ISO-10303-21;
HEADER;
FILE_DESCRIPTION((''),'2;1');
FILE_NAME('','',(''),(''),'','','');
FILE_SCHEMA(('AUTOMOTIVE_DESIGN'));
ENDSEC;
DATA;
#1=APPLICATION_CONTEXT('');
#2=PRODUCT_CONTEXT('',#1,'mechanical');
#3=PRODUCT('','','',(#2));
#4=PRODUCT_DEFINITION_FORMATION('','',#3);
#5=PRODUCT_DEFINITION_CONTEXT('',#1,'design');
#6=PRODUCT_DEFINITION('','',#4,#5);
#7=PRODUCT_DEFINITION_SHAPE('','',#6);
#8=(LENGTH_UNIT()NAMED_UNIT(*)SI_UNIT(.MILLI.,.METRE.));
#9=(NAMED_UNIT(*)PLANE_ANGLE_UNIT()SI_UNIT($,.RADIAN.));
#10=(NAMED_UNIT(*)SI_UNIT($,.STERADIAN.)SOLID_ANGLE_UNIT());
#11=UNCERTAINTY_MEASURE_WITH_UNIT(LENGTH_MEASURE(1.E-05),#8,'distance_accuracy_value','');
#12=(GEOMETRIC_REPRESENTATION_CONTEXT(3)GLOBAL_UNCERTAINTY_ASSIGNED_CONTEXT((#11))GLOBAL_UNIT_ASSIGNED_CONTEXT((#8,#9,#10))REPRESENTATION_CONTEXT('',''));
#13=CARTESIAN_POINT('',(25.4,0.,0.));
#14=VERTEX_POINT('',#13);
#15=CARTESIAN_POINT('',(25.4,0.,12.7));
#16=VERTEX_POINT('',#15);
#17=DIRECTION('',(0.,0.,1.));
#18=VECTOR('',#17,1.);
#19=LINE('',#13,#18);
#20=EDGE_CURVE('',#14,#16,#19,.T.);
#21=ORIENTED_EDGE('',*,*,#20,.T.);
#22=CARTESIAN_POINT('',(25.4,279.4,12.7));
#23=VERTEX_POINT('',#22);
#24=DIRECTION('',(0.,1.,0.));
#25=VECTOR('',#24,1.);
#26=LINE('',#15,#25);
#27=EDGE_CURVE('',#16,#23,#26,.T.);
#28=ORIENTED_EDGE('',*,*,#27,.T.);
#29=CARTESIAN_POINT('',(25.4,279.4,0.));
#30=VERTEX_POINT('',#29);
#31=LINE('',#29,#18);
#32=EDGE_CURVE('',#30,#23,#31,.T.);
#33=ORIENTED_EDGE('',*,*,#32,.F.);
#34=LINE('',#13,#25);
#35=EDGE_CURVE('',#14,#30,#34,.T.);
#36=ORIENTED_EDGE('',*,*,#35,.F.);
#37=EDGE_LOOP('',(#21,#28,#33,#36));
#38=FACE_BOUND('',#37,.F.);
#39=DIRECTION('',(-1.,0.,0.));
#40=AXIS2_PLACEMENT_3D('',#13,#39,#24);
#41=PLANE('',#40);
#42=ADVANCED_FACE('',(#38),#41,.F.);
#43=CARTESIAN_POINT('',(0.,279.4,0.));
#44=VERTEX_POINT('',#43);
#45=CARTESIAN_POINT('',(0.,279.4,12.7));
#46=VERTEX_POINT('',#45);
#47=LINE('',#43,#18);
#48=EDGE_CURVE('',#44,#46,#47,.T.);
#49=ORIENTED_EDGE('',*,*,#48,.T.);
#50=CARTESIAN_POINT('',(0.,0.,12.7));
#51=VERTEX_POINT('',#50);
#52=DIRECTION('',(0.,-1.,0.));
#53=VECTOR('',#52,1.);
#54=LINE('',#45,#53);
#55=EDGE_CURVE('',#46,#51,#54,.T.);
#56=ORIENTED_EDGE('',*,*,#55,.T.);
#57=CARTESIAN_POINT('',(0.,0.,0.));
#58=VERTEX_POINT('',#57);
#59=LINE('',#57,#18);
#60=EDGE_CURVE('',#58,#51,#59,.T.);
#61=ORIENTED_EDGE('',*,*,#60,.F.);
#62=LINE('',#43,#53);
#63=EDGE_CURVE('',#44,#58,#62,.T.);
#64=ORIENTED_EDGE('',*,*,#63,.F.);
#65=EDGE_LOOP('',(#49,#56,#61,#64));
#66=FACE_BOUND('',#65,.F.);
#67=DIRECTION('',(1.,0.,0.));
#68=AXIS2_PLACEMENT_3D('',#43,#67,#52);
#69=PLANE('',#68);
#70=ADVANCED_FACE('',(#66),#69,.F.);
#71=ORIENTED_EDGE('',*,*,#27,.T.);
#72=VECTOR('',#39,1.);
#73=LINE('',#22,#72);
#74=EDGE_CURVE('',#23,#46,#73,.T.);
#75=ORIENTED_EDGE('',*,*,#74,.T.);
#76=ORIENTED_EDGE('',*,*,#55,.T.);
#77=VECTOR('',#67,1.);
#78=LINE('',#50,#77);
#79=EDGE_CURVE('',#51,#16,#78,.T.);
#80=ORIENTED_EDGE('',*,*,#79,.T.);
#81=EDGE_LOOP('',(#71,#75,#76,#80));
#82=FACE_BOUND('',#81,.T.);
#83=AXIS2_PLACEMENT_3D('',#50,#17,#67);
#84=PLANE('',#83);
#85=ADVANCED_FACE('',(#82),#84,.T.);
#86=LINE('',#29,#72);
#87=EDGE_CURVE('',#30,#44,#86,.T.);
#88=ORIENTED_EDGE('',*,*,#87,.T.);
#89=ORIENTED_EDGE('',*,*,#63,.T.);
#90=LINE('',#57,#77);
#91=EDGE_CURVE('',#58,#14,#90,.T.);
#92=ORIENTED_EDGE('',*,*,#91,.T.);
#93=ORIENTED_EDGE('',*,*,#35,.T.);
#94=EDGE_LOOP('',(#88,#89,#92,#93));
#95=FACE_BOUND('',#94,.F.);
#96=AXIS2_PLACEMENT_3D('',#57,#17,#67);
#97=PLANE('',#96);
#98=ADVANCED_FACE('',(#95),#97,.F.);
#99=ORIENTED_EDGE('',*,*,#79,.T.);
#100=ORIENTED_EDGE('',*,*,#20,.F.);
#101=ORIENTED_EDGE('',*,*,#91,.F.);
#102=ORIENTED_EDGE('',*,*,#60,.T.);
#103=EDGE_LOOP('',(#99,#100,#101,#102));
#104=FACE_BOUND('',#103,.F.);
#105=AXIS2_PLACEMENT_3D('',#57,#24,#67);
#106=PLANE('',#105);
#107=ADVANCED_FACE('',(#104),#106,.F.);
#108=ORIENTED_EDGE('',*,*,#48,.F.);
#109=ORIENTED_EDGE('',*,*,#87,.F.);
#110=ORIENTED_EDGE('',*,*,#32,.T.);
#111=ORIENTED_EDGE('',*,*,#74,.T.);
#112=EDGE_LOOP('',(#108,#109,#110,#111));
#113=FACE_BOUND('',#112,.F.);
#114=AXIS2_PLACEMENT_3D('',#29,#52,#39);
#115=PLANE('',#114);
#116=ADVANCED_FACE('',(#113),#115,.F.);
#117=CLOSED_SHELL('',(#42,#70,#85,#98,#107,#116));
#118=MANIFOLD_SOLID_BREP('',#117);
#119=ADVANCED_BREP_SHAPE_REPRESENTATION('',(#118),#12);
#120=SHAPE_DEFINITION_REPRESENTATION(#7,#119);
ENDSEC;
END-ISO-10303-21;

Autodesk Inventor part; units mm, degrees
ref_plane "YZ Plane" through (0, 0, 0) normal (1, 0, 0) x (0, 1, 0)
ref_plane "XZ Plane" through (0, 0, 0) normal (0, 1, 0) x (-1, 0, 0)
ref_plane "XY Plane" through (0, 0, 0) normal (0, 0, 1) x (1, 0, 0)
sketch "Sketch1" plane through (0, 0, 0) normal (0, 0, 1) x (1, 0, 0)
  line L0 (0, 0) -> (25.4, 0)
  line L1 (25.4, 0) -> (25.4, 279.4)
  line L2 (25.4, 279.4) -> (0, 279.4)
  line L3 (0, 279.4) -> (0, 0)
  dimension "d7" = 25.4
  dimension "d8" = 279.4
extrude "Extrusion1" add sketch "Sketch1" along normal blind 12.7
properties material "MDF Medium Density Fiberboard"
